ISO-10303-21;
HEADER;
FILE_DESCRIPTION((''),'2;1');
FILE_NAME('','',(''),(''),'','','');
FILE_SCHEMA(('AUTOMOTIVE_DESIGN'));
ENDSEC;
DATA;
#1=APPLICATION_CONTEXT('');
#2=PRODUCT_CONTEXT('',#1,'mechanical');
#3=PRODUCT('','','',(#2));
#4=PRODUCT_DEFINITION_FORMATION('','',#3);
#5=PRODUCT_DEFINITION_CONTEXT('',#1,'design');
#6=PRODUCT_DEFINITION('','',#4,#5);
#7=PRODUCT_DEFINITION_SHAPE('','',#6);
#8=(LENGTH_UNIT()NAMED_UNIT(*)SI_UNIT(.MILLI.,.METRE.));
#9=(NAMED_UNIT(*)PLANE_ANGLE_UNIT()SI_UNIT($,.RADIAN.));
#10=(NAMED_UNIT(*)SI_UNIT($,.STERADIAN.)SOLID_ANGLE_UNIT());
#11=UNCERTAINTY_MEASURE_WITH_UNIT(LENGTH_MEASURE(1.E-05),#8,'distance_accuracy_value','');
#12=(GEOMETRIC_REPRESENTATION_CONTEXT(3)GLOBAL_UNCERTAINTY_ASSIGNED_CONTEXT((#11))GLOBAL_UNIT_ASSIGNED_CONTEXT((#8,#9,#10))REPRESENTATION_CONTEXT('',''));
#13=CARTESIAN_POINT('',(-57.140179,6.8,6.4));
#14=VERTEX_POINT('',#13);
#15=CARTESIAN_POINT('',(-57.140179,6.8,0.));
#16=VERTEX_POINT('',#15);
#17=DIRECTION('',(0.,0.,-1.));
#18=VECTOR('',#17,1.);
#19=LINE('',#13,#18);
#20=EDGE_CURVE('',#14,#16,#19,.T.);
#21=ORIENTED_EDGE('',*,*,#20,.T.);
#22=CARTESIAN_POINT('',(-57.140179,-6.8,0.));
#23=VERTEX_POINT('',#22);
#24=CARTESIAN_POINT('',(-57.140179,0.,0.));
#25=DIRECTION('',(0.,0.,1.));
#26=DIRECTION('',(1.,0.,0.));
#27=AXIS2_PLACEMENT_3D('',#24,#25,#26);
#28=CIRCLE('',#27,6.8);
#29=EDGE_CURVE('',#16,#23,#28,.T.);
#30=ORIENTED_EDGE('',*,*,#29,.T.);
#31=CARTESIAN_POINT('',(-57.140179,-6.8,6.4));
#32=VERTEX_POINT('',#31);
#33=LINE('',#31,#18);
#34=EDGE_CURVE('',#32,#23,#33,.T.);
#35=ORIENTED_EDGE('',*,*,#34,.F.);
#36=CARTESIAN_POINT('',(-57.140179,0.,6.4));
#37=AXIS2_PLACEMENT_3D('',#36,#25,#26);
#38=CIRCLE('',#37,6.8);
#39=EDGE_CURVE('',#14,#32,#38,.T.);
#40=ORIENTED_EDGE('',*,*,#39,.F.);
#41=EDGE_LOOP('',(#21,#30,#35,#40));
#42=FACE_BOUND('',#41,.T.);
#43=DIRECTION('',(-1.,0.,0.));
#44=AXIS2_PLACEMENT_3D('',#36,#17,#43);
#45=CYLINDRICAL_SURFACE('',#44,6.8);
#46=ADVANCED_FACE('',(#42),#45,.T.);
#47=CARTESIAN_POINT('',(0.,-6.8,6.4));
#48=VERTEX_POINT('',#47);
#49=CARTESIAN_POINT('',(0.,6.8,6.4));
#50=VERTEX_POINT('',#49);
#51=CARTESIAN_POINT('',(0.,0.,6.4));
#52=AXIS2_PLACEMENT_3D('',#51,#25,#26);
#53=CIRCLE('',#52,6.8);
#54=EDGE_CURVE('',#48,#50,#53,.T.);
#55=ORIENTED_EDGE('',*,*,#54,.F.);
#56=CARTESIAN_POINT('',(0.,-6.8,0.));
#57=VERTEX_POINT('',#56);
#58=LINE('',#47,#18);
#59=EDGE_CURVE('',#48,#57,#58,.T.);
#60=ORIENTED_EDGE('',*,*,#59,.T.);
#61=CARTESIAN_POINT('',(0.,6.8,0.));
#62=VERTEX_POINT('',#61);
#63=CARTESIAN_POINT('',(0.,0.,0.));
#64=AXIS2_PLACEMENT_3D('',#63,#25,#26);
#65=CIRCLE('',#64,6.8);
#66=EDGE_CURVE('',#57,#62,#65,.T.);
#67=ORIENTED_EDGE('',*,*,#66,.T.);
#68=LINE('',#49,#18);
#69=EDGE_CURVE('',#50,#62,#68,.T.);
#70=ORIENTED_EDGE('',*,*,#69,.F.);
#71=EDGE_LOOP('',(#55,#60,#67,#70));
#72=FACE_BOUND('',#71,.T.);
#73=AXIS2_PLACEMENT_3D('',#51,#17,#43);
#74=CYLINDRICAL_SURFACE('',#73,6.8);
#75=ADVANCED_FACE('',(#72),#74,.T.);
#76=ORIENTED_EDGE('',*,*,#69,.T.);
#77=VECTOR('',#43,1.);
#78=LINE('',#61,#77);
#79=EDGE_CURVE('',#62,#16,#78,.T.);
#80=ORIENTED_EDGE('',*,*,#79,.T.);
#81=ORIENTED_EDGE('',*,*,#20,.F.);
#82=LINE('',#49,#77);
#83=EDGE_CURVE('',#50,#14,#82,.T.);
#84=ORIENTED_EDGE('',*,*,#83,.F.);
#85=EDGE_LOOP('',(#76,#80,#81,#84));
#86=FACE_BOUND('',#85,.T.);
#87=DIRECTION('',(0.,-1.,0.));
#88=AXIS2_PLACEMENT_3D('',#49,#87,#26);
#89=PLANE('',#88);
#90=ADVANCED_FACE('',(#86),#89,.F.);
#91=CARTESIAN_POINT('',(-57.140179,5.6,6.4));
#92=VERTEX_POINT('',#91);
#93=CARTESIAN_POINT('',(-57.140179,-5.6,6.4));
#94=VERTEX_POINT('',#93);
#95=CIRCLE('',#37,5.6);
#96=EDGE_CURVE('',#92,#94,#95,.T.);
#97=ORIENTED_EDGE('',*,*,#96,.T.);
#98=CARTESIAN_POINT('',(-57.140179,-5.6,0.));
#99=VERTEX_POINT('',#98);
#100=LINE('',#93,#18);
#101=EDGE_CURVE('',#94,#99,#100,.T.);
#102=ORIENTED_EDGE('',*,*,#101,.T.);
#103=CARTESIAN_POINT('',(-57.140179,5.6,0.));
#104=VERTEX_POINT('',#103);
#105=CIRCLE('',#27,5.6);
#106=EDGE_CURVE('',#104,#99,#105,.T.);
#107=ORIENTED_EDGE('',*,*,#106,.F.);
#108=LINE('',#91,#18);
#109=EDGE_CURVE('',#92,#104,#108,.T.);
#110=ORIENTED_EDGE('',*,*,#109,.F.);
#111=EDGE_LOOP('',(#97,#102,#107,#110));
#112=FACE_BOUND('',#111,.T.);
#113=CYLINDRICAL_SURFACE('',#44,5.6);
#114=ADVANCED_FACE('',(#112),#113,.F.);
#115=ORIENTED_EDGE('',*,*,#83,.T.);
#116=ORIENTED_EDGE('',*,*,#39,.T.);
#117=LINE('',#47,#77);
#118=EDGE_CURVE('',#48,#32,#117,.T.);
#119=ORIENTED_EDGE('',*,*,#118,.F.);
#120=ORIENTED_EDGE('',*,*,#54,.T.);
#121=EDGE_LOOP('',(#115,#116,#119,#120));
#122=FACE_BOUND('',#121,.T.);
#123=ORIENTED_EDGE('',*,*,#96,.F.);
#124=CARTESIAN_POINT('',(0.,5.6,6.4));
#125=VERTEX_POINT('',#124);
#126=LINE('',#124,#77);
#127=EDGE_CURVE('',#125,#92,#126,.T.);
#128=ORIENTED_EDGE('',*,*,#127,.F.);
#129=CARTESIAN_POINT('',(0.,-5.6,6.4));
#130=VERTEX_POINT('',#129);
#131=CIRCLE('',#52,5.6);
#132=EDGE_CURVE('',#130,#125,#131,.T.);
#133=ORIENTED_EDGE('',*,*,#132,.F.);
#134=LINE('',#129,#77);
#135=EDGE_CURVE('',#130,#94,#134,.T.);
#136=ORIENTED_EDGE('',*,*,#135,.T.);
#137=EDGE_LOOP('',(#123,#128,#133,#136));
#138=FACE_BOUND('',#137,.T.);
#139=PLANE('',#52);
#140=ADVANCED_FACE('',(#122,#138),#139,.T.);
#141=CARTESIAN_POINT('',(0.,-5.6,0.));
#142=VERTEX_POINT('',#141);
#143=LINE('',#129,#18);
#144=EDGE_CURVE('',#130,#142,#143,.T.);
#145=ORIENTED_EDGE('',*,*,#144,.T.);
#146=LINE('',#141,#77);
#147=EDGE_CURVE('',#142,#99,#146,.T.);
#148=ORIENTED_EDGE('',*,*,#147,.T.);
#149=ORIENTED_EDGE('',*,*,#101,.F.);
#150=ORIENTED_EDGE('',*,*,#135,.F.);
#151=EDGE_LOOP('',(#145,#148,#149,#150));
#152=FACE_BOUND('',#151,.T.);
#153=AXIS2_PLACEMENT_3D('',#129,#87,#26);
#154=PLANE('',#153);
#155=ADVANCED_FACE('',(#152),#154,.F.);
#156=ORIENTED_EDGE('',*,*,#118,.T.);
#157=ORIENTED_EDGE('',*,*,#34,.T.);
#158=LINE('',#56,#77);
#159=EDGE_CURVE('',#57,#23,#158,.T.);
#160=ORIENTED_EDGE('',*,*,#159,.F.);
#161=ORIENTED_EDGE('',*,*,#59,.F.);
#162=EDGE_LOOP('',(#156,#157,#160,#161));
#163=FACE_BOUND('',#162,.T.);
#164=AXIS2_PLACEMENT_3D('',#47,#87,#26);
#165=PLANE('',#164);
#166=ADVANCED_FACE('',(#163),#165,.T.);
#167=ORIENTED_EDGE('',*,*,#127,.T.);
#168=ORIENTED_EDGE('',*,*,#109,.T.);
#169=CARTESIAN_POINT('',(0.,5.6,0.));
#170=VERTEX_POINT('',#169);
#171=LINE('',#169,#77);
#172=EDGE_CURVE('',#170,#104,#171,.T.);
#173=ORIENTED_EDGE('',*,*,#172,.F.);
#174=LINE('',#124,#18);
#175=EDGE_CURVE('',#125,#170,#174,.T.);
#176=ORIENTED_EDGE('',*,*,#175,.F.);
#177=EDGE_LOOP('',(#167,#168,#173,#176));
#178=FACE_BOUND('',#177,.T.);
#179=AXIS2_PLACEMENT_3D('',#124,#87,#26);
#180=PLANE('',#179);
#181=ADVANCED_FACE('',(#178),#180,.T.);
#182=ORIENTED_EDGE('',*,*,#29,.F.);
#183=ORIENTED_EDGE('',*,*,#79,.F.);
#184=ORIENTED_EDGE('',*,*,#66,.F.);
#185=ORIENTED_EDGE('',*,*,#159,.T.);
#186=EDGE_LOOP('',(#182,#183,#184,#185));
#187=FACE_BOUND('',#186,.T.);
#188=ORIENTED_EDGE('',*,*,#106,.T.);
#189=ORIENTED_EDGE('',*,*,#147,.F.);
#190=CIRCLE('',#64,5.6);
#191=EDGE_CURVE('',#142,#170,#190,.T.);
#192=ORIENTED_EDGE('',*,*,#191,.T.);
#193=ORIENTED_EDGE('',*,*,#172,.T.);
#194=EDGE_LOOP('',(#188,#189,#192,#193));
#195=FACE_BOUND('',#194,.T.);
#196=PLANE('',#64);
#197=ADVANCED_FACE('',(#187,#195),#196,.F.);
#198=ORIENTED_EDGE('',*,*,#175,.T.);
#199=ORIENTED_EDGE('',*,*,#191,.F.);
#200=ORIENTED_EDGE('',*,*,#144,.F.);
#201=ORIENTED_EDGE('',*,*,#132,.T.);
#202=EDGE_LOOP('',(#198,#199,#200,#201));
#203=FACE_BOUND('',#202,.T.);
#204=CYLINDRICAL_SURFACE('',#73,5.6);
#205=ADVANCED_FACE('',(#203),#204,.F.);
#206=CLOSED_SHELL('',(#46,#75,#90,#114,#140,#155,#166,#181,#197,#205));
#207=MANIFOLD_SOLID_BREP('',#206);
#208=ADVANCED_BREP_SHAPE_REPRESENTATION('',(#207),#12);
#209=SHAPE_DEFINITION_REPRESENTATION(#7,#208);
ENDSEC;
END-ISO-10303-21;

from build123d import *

# Parameters (mm, degrees)
ESTRUSIONE_ESTRUSIONE1_DEPTH = 6.4


with BuildPart() as part:
    # Schizzo1 → Estrusione-Estrusione1 (new body)
    with BuildSketch(Plane.XY):
        with BuildLine():
            Line((0, -6.8), (-57.140178509, -6.8))
            ThreePointArc((-57.140178509, -6.8), (-63.940178509, 0), (-57.140178509, 6.8))
            Line((-57.140178509, 6.8), (0, 6.8))
            ThreePointArc((0, 6.8), (6.8, 0), (0, -6.8))
        make_face()
        with BuildLine():
            Line((0, -5.6), (-57.140178509, -5.6))
            ThreePointArc((-57.140178509, -5.6), (-62.740178509, 0), (-57.140178509, 5.6))
            Line((-57.140178509, 5.6), (0, 5.6))
            ThreePointArc((0, 5.6), (5.6, 0), (0, -5.6))
        make_face(mode=Mode.SUBTRACT)
    extrude(amount=ESTRUSIONE_ESTRUSIONE1_DEPTH)


solid = part.part
